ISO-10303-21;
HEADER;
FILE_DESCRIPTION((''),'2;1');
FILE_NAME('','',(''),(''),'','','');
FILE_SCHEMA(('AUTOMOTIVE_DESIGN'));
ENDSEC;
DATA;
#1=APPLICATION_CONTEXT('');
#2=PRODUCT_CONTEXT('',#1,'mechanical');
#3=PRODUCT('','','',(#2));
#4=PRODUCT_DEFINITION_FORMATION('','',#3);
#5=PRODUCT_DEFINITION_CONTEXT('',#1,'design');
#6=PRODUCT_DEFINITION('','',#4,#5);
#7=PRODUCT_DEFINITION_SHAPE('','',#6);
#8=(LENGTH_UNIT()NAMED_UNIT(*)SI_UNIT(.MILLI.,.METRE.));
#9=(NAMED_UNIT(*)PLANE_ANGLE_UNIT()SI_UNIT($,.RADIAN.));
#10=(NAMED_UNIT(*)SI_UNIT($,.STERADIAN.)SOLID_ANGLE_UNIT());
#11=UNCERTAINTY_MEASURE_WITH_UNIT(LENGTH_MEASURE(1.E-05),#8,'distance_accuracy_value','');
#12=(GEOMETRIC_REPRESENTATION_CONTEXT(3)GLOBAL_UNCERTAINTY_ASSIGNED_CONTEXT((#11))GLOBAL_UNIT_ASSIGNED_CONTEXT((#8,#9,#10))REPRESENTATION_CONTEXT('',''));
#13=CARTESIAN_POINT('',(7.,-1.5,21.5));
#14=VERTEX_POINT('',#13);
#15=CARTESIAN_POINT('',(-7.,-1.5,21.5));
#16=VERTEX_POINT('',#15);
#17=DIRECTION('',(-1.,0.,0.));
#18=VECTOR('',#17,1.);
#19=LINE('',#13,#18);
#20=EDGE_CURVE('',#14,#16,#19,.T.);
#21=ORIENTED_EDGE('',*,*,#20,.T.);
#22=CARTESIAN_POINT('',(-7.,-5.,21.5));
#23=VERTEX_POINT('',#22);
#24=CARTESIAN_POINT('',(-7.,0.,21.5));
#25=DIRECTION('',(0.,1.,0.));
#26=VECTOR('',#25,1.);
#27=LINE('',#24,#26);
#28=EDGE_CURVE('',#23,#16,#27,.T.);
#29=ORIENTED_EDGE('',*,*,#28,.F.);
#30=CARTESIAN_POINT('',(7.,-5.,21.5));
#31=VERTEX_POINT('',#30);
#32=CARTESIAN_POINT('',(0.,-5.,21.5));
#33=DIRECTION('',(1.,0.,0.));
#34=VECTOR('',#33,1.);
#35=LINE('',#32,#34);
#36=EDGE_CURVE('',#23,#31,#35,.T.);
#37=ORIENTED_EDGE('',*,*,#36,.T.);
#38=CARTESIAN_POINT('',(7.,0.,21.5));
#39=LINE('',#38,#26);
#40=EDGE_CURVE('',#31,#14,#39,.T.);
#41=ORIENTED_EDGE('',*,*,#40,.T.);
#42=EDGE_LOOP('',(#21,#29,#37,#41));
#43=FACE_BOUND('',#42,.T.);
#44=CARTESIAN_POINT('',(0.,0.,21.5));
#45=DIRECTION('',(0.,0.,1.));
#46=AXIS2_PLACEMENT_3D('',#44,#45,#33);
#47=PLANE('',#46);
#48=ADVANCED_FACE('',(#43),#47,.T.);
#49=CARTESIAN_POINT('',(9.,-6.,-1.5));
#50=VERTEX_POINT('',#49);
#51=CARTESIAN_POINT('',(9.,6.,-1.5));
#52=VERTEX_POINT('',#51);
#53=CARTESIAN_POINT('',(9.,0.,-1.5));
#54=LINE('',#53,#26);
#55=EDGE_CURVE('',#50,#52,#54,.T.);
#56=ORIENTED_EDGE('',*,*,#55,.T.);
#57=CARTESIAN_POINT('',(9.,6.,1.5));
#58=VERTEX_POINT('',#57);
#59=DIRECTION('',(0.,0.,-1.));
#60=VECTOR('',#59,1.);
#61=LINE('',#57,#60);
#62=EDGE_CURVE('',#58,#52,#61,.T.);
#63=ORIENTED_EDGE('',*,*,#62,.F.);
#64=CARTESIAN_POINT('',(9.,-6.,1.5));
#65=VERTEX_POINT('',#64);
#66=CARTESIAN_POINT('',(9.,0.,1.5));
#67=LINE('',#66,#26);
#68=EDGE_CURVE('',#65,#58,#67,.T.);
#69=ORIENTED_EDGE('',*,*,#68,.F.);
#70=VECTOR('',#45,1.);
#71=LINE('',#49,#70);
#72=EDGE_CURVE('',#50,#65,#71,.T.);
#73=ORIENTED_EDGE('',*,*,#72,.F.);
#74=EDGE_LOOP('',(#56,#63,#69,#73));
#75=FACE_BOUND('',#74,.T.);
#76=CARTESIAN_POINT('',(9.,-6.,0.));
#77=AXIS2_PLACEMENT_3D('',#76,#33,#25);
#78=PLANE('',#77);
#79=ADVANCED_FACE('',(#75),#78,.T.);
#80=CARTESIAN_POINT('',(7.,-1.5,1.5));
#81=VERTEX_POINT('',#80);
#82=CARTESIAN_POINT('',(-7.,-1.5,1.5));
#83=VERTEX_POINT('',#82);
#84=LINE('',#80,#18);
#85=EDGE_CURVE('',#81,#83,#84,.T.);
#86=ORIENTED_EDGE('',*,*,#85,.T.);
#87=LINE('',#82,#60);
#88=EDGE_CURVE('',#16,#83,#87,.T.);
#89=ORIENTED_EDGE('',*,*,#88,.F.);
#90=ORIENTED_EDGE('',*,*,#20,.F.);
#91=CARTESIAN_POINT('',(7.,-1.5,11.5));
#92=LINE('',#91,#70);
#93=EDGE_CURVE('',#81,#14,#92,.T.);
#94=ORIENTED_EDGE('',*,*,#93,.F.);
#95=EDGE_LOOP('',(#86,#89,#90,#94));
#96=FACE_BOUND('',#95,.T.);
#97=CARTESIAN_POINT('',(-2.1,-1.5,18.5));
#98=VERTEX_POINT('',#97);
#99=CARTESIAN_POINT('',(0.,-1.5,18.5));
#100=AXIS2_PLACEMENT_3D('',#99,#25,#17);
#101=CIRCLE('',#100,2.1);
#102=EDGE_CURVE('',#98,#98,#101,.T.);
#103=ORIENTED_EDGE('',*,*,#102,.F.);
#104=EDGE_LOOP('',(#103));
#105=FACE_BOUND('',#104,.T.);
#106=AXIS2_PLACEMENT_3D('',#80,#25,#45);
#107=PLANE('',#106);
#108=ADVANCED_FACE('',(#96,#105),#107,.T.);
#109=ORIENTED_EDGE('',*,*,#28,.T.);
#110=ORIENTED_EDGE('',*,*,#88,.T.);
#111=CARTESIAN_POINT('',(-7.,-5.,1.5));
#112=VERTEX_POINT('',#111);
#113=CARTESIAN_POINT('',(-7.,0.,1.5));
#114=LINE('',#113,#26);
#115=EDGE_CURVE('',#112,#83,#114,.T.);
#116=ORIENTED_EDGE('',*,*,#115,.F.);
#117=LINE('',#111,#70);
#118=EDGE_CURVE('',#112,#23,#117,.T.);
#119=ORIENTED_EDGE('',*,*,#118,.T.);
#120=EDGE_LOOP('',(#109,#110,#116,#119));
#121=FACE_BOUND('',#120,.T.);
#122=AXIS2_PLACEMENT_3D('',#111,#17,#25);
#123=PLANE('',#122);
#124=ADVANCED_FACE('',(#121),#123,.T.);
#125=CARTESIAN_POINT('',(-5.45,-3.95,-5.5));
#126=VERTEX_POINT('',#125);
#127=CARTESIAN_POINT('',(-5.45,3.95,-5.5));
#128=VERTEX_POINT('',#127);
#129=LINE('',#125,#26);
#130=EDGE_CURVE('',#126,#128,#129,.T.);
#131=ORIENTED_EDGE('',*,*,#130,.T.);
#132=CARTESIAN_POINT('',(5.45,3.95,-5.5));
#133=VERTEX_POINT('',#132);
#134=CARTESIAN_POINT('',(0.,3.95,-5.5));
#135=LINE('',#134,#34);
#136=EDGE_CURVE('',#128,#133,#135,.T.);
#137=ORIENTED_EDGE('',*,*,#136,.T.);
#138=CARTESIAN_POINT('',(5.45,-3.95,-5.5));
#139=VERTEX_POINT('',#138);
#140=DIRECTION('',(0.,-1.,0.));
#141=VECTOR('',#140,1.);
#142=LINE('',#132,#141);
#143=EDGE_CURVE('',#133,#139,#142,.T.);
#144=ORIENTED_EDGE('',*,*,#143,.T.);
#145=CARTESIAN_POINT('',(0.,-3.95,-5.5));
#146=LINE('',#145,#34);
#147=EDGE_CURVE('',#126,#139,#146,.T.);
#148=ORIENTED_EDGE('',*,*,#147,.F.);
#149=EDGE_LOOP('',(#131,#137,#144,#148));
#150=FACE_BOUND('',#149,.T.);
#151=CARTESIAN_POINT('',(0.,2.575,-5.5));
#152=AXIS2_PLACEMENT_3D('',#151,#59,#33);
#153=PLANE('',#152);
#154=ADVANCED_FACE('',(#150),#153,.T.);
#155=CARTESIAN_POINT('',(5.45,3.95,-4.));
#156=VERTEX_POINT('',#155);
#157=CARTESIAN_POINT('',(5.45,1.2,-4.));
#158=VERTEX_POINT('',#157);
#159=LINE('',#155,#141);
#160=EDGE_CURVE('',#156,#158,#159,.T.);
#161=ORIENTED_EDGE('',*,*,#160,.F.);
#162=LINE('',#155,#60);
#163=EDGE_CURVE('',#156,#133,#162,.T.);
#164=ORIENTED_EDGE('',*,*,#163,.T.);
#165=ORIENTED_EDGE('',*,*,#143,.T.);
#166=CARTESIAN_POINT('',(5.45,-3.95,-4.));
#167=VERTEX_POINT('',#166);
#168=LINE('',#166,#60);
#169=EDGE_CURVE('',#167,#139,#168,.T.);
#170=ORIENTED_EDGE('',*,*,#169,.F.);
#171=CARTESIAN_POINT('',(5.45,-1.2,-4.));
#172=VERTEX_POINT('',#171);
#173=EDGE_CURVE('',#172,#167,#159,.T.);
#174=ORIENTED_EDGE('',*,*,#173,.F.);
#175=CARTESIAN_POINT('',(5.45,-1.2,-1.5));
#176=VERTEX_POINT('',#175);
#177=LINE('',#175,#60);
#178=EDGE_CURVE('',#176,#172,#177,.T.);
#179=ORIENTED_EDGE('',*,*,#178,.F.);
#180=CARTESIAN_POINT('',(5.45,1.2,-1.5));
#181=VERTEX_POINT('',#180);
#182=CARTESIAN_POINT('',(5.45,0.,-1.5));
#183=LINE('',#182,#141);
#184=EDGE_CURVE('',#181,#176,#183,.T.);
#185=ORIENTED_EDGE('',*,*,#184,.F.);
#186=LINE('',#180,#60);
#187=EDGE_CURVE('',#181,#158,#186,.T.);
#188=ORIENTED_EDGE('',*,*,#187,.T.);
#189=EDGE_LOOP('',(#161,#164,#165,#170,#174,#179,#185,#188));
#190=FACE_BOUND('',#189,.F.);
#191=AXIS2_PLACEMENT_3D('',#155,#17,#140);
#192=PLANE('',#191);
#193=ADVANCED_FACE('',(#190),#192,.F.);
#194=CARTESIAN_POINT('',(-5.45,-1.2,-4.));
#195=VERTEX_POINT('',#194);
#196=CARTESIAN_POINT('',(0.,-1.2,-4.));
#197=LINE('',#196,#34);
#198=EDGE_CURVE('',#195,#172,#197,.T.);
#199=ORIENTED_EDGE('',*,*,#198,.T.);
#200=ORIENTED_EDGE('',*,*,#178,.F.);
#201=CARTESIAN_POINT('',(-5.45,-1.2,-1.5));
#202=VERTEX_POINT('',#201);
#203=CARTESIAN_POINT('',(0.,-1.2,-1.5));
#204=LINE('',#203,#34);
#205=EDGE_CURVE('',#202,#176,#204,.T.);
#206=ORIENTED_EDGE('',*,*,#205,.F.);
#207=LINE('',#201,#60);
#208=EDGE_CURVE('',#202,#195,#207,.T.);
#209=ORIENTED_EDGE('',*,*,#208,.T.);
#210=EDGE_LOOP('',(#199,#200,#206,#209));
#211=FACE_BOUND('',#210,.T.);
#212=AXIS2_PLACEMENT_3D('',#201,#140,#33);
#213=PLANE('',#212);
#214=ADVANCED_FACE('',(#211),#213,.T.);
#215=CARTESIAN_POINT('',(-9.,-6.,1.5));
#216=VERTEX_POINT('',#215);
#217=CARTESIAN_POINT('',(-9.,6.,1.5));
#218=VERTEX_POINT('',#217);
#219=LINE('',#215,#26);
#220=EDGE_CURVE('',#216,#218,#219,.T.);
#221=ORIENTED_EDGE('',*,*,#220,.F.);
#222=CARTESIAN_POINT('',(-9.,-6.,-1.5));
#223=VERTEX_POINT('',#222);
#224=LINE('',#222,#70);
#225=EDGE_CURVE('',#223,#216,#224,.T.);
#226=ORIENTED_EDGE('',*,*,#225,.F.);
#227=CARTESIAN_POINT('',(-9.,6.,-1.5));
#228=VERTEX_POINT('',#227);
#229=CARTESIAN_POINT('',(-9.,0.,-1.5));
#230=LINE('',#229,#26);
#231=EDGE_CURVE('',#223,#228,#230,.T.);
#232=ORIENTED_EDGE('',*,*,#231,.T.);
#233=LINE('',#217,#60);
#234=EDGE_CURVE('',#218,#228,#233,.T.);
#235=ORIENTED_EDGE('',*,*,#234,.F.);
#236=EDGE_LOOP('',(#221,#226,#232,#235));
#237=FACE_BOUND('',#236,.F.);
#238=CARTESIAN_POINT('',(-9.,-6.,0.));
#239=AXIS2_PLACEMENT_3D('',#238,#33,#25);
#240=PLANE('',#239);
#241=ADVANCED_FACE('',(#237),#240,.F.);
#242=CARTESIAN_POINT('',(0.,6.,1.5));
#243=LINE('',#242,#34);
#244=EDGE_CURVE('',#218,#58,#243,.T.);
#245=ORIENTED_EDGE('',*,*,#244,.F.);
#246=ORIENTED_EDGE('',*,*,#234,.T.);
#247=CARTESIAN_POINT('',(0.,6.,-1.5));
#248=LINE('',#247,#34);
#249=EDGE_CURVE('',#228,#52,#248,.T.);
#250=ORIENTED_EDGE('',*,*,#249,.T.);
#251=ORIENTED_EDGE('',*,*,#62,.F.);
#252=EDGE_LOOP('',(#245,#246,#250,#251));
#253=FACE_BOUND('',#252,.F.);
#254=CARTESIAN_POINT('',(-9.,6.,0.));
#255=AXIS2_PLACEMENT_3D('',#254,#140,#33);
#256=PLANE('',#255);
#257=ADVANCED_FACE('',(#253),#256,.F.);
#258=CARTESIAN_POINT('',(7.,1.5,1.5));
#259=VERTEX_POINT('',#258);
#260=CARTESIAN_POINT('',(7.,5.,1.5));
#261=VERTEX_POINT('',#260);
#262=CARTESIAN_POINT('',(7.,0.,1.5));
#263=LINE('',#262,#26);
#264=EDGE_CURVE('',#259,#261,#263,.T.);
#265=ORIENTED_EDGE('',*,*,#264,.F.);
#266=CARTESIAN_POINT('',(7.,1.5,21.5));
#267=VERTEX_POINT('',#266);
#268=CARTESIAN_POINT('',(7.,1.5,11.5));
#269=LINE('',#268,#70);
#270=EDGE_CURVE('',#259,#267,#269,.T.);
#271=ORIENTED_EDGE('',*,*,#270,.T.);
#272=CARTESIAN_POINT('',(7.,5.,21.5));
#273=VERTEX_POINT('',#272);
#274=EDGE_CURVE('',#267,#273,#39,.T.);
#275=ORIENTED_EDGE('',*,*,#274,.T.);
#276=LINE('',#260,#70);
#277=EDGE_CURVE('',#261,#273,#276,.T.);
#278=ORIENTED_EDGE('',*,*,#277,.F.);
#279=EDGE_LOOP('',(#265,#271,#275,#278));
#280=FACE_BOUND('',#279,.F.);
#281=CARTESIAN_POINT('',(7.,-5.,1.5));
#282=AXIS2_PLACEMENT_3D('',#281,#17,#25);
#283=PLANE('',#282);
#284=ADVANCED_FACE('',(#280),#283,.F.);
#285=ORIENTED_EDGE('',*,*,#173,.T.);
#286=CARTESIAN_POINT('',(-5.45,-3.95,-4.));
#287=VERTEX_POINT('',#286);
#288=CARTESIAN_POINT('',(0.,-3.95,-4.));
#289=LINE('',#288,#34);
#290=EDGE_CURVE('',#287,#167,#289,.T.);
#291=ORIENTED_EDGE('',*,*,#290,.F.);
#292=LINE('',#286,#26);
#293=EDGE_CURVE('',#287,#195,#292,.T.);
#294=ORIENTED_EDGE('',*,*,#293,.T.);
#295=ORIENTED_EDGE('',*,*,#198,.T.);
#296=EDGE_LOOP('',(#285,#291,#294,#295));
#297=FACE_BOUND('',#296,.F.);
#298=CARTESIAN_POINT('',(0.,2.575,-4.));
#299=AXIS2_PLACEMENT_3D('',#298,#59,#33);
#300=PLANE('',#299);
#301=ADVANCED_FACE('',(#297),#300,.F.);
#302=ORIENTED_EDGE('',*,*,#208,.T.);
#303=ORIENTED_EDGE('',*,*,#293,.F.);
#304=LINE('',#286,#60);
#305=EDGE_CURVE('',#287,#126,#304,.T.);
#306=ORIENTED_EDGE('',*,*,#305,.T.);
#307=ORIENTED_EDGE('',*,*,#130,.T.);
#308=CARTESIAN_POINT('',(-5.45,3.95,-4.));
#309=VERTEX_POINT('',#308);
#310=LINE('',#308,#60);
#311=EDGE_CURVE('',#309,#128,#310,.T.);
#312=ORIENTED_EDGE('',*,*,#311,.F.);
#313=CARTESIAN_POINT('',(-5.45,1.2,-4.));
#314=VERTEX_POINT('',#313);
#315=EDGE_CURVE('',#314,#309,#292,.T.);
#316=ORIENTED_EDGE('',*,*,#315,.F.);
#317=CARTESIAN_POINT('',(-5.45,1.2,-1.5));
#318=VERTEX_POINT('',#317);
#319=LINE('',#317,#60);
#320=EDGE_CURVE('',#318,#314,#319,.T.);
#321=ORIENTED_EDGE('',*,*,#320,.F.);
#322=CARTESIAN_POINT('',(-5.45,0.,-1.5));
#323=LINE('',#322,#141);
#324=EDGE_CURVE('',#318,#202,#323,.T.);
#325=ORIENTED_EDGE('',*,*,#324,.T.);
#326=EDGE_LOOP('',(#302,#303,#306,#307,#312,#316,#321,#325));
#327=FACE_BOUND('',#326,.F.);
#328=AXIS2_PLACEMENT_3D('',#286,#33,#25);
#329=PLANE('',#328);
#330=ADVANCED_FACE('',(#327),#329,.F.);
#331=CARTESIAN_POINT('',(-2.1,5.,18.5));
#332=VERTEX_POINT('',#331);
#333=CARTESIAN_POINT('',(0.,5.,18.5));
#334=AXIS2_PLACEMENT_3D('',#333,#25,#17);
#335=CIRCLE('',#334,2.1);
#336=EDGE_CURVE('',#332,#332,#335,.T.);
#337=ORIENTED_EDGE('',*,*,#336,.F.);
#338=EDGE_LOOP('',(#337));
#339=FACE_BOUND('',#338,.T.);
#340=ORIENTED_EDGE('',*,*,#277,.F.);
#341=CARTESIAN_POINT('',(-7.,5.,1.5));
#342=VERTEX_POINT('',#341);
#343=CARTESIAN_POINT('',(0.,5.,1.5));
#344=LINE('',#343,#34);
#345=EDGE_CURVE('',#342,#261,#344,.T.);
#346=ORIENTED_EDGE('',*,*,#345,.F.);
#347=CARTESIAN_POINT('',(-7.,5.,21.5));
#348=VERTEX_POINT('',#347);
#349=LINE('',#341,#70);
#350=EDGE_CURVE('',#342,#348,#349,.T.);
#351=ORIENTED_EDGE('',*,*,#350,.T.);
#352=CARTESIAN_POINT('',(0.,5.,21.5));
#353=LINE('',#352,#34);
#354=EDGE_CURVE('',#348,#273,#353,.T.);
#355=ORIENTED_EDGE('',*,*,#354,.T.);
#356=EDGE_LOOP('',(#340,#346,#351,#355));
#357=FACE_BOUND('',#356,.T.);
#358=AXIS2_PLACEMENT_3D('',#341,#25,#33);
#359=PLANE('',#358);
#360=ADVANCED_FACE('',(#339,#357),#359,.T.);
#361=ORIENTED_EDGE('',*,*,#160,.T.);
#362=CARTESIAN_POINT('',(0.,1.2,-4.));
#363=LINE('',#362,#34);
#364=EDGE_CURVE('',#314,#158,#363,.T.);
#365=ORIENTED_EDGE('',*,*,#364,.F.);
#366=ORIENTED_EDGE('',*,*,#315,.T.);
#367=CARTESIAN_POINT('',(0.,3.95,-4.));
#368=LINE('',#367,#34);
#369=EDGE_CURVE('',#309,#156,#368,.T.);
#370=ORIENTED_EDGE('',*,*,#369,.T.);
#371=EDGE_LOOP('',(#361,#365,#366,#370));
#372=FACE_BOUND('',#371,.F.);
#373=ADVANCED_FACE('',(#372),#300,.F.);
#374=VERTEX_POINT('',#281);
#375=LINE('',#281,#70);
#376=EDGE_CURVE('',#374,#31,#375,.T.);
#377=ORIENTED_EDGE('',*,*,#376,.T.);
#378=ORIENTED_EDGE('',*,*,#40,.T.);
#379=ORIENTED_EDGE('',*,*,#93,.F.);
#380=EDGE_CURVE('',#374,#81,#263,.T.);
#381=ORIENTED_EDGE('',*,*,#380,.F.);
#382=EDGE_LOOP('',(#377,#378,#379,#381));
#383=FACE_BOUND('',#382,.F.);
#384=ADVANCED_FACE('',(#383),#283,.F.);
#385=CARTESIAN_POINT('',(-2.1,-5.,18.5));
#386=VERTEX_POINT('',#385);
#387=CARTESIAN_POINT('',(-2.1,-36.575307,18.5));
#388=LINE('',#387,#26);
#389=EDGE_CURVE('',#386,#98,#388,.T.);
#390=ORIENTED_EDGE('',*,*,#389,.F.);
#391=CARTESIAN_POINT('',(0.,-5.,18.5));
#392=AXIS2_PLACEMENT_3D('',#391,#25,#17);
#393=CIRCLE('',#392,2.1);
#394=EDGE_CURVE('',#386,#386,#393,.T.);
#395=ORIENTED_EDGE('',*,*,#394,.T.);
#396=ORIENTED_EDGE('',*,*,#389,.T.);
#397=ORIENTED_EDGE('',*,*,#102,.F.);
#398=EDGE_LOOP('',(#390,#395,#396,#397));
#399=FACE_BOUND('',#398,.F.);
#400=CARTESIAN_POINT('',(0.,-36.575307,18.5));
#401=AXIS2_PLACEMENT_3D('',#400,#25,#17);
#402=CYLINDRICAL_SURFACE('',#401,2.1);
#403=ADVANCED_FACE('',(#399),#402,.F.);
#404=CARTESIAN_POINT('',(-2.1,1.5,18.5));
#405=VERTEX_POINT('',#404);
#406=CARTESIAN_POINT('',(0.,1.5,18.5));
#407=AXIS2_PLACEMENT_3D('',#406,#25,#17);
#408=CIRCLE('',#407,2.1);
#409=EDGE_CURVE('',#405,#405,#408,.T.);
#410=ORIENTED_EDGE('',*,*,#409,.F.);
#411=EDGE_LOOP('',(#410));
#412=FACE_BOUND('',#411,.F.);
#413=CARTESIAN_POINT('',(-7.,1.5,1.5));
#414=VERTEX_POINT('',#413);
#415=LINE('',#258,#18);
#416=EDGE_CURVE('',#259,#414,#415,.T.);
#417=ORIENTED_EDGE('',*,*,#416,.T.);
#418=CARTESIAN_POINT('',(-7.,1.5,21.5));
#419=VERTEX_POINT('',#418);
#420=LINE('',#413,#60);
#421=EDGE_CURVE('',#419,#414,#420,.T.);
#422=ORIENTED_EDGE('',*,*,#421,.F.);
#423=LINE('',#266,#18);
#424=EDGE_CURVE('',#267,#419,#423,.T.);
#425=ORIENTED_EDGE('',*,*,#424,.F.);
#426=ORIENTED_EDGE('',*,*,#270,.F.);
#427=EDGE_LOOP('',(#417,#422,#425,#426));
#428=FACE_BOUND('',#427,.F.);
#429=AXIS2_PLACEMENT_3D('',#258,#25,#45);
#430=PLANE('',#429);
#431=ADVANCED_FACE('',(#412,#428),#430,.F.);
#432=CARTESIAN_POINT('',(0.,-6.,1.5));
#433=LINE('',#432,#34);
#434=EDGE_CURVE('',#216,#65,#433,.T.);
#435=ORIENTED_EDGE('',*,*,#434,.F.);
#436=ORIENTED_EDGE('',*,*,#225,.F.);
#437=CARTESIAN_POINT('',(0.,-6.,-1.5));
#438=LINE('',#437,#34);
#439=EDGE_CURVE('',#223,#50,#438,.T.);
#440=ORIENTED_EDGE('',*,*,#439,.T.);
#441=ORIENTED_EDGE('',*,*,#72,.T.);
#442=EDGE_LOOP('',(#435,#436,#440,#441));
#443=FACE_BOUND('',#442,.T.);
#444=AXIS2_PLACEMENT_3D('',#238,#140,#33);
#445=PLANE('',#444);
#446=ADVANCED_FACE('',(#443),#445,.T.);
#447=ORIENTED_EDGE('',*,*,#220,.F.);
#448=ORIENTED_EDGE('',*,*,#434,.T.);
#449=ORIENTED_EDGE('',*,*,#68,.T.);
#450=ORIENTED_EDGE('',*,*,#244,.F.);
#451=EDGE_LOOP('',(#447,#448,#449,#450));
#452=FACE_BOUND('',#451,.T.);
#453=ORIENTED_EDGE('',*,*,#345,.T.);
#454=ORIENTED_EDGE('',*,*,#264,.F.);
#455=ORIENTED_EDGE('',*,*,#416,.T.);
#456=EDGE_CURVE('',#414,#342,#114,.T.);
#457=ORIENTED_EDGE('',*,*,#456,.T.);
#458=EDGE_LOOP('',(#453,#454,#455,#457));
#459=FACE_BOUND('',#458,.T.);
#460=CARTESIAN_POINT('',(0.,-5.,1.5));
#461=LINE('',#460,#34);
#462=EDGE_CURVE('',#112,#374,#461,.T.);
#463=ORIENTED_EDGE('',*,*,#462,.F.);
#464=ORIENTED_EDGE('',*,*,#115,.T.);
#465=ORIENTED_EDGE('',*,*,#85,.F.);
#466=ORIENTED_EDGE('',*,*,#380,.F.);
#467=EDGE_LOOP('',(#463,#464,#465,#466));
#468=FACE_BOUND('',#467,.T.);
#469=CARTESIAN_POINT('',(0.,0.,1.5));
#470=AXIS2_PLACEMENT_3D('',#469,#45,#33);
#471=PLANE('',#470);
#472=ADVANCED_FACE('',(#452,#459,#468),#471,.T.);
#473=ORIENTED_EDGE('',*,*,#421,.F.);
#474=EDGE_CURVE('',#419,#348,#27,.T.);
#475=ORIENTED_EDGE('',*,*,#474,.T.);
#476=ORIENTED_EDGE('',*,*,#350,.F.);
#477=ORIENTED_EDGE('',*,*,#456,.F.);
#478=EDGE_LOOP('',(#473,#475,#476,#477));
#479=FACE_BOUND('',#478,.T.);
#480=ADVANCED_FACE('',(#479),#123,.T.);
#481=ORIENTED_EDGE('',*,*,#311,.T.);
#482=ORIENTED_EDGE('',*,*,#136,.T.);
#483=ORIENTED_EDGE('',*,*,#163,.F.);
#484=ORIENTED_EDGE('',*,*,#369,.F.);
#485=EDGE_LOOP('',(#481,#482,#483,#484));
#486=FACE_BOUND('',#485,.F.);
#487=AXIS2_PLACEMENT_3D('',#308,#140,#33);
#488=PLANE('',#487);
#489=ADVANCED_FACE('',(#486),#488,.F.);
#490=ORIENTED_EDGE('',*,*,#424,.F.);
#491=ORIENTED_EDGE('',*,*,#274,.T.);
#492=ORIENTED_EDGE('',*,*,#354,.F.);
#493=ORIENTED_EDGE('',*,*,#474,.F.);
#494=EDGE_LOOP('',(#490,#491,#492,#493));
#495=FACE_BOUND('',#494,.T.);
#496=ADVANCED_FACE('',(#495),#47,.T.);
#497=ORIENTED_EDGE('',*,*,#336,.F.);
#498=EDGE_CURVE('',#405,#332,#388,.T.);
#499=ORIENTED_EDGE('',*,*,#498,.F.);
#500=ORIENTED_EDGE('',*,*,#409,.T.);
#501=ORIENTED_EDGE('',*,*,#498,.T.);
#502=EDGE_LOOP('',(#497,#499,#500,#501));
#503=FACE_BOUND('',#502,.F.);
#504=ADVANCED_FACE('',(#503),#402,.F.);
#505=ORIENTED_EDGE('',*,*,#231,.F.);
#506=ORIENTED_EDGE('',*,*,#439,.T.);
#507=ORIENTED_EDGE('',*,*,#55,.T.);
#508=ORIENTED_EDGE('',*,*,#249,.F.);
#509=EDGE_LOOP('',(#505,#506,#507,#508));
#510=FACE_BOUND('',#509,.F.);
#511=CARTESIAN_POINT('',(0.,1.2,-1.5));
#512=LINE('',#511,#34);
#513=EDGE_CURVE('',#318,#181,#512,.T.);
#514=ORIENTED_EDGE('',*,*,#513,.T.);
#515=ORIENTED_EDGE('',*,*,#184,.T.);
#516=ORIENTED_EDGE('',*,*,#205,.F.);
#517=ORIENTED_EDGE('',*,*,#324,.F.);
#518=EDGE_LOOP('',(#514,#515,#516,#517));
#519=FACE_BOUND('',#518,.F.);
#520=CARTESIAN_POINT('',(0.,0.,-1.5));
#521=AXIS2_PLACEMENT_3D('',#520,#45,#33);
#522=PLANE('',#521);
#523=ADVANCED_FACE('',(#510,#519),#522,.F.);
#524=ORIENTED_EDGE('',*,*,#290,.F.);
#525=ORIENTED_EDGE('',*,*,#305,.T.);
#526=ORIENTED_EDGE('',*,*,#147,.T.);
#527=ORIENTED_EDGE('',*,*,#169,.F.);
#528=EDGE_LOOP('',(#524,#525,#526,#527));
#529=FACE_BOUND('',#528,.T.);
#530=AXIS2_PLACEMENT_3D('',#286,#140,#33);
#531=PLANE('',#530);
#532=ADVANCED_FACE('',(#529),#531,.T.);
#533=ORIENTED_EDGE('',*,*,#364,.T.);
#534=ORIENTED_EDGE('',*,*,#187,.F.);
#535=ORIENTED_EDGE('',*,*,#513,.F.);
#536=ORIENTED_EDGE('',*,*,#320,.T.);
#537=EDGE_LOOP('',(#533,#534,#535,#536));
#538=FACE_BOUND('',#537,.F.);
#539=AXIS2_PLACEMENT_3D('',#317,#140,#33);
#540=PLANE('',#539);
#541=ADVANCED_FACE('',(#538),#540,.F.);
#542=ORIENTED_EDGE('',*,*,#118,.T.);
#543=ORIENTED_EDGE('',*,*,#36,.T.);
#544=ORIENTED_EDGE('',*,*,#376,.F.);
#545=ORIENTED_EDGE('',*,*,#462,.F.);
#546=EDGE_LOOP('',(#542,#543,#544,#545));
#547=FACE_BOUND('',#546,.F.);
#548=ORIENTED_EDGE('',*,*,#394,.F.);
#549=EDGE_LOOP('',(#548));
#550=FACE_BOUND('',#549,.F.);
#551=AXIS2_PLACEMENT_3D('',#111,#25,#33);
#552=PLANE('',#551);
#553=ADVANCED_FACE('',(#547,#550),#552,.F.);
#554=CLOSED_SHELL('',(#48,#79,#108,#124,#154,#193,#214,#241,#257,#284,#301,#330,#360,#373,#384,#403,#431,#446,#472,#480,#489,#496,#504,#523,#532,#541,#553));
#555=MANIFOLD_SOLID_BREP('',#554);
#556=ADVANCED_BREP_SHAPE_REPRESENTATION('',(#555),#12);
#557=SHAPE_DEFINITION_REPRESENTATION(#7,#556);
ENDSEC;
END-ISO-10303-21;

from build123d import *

# Parameters (mm, degrees)
F0_W      = 18
F0_H      = 12
F1_DEPTH  = 1.5
F2_W      = 14
F2_H      = 10
F3_DEPTH  = 20
F4_W      = 3
F4_H      = 20
F5_DEPTH  = 25
F7_D      = 4.2
F8_W      = 10.9
F8_H      = 2.4
F9_DEPTH  = 2.5
F10_W     = 10.9
F10_H     = 2.75
F10_H_2   = 2.4
F11_DEPTH = 1.5


with BuildPart() as f1:
    # F0 (on Top) → F1 (new body, symmetric)
    with BuildSketch(Plane.XY):
        Rectangle(F0_W, F0_H)
    extrude(amount=F1_DEPTH, both=True)

    # F2 (on face) → F3 (join)
    with BuildSketch(Plane.XY.offset(1.5)):
        Rectangle(F2_W, F2_H)
    extrude(amount=F3_DEPTH)

    # F4 (on face) → F5 (cut)
    with BuildSketch(Plane.YZ.offset(7)):
        with Locations((0, 11.5)):
            Rectangle(F4_W, F4_H)
    extrude(amount=-F5_DEPTH, mode=Mode.SUBTRACT)

    # F7 (through all)
    with Locations(Plane.XZ.offset(5)):
        with Locations((0, 18.5)):
            Hole(F7_D / 2)

    # F8 (on face) → F9 (join)
    with BuildSketch(Plane(origin=(0, 0, -1.5), x_dir=(1, 0, 0), z_dir=(0, 0, -1))):
        Rectangle(F8_W, F8_H)
    extrude(amount=F9_DEPTH)

    # F10 (on face) → F11 (join)
    with BuildSketch(Plane(origin=(0, 0, -4), x_dir=(1, 0, 0), z_dir=(0, 0, -1))):
        with Locations((0, -2.575)):
            Rectangle(F10_W, F10_H)
        Rectangle(F10_W, F10_H_2)
        with Locations((0, 2.575)):
            Rectangle(F10_W, F10_H)
    extrude(amount=F11_DEPTH)


solid = f1.part
